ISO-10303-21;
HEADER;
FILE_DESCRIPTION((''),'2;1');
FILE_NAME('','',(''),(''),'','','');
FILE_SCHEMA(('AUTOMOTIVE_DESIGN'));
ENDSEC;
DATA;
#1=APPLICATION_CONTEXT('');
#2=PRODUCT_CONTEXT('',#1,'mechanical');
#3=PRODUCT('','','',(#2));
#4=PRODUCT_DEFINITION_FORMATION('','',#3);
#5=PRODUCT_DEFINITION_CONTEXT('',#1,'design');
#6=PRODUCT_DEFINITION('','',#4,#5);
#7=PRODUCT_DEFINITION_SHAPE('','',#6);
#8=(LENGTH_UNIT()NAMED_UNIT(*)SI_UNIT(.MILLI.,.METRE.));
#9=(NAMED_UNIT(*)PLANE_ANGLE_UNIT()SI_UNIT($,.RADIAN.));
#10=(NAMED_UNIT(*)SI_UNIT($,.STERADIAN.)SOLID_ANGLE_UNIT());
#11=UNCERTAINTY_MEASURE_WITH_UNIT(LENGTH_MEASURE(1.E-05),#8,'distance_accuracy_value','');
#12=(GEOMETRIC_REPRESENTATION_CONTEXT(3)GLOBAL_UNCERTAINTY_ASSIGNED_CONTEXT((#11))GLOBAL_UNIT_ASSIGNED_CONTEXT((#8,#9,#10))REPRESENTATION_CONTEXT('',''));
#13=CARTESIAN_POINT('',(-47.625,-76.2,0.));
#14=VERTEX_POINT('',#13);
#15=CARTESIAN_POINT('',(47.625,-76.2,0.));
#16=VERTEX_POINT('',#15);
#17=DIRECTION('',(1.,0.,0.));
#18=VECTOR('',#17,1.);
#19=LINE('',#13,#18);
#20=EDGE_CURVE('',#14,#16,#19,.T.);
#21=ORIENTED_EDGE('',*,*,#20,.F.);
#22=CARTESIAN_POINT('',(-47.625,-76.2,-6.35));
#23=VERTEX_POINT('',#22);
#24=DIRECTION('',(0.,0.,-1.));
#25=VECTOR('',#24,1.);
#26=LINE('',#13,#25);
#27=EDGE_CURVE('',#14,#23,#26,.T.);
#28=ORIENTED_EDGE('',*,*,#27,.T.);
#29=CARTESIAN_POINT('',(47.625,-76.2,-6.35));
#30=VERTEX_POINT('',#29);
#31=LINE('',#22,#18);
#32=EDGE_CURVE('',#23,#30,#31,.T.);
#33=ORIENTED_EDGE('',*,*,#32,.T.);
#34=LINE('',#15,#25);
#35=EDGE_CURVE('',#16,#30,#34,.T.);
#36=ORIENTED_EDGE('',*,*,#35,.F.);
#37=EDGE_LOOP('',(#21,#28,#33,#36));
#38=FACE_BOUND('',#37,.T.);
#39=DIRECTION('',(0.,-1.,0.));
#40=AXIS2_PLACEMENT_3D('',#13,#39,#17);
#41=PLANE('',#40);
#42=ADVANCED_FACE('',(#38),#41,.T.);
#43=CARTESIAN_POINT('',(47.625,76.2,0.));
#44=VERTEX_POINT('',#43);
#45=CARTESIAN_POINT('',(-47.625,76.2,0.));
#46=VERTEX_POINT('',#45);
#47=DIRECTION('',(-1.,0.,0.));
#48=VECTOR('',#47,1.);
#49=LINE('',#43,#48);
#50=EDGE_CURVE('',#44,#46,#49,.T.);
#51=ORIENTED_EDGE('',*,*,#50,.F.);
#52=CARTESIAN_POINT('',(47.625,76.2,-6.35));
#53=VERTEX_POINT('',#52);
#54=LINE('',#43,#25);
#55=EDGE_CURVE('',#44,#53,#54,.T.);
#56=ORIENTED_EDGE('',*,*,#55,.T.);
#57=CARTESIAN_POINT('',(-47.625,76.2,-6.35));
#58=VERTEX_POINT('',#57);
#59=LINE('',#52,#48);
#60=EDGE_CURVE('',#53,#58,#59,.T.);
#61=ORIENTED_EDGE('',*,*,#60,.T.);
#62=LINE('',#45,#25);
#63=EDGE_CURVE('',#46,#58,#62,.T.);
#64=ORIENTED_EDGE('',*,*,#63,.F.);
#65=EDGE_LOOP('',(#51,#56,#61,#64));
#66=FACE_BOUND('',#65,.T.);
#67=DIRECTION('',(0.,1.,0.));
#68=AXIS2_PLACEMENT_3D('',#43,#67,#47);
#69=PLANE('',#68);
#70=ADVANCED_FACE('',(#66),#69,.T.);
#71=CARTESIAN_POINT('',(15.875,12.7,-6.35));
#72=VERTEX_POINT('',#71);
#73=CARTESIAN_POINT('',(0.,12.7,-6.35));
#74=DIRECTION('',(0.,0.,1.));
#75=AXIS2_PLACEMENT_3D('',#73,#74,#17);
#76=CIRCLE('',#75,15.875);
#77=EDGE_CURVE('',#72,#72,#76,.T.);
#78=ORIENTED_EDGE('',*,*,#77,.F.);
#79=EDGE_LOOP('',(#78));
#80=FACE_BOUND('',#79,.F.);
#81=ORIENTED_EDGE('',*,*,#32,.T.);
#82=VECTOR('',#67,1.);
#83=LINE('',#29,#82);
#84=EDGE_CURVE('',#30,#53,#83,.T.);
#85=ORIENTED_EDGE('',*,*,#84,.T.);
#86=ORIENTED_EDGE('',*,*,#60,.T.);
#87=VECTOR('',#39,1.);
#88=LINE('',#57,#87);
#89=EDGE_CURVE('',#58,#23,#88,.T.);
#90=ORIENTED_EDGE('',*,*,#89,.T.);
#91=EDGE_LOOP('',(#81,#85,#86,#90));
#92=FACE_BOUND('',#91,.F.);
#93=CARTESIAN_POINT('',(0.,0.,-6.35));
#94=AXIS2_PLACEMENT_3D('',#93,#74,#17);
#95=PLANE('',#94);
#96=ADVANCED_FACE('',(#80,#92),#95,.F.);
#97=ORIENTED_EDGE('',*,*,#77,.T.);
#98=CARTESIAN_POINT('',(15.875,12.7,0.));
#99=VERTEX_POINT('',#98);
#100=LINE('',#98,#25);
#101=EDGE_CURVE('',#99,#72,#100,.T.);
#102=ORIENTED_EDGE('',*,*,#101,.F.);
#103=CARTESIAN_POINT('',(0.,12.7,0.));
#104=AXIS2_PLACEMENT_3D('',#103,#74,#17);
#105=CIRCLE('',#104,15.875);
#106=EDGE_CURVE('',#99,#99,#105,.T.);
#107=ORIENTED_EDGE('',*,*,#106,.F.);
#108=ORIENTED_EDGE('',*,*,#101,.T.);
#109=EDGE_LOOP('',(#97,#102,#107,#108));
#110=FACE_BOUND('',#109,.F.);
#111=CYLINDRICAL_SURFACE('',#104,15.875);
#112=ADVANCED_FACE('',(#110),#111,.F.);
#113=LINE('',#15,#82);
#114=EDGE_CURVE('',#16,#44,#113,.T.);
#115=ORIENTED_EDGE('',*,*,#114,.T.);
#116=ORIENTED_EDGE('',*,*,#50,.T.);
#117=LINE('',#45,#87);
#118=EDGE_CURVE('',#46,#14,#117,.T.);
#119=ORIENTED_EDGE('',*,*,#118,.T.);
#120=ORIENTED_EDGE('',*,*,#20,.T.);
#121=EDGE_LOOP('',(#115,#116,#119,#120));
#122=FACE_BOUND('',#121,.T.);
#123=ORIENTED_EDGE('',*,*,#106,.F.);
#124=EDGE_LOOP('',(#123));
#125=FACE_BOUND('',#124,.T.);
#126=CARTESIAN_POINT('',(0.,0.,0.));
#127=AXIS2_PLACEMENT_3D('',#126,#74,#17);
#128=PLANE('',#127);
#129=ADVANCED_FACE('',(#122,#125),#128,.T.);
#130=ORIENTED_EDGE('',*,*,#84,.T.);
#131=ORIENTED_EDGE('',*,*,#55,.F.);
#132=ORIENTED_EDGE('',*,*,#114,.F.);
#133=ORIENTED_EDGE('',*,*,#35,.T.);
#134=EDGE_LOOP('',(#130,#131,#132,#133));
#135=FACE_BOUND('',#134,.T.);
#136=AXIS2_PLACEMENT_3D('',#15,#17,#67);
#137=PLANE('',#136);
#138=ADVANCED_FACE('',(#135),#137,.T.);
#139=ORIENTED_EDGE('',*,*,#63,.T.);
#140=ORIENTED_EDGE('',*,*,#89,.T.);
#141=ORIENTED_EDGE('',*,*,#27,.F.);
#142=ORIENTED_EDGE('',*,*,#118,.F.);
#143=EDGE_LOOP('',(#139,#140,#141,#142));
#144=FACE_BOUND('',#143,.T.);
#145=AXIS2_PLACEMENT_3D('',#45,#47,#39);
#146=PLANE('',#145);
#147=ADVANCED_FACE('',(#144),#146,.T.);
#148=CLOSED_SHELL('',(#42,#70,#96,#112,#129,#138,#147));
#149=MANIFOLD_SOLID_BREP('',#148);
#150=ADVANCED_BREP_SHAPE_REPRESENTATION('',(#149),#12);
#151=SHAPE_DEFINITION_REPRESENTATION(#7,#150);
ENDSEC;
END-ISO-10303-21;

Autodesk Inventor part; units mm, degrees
ref_plane "XZ Plane" through (0, 0, 0) normal (0, 1, 0) x (-1, 0, 0)
ref_plane "XY Plane" through (0, 0, 0) normal (0, 0, 1) x (1, 0, 0)
sketch "Sketch1" plane through (0, 0, 0) normal (0, 0, 1) x (1, 0, 0)
  line L0 (-47.625, -76.2) -> (47.625, -76.2)
  line L1 (47.625, -76.2) -> (47.625, 76.2)
  line L2 (47.625, 76.2) -> (-47.625, 76.2)
  line L3 (-47.625, 76.2) -> (-47.625, -76.2)
  line L4 (-47.625, -76.2) -> (47.625, 76.2) construction
  line L5 (47.625, -76.2) -> (-47.625, 76.2) construction
  point P0 (0, 0)
  dimension "d0" = 95.25
  dimension "d1" = 152.4
extrude "Extrusion1" add sketch "Sketch1" against normal blind 6.35
sketch "Sketch2" plane through (0, 0, 0) normal (0, 0, 1) x (1, 0, 0)
  circle A0 centre (0, 12.7) radius 15.875
  line L0 (47.625, 76.2) -> (-47.625, 76.2) projected
  point P0 (0, 0)
  dimension "bearingDiameter" = 31.75
  dimension "d5" = 63.5
extrude "Extrusion2" cut sketch "Sketch2" against normal through all
properties part number "plateForHangingMechanism" material "Aluminum 6061"
